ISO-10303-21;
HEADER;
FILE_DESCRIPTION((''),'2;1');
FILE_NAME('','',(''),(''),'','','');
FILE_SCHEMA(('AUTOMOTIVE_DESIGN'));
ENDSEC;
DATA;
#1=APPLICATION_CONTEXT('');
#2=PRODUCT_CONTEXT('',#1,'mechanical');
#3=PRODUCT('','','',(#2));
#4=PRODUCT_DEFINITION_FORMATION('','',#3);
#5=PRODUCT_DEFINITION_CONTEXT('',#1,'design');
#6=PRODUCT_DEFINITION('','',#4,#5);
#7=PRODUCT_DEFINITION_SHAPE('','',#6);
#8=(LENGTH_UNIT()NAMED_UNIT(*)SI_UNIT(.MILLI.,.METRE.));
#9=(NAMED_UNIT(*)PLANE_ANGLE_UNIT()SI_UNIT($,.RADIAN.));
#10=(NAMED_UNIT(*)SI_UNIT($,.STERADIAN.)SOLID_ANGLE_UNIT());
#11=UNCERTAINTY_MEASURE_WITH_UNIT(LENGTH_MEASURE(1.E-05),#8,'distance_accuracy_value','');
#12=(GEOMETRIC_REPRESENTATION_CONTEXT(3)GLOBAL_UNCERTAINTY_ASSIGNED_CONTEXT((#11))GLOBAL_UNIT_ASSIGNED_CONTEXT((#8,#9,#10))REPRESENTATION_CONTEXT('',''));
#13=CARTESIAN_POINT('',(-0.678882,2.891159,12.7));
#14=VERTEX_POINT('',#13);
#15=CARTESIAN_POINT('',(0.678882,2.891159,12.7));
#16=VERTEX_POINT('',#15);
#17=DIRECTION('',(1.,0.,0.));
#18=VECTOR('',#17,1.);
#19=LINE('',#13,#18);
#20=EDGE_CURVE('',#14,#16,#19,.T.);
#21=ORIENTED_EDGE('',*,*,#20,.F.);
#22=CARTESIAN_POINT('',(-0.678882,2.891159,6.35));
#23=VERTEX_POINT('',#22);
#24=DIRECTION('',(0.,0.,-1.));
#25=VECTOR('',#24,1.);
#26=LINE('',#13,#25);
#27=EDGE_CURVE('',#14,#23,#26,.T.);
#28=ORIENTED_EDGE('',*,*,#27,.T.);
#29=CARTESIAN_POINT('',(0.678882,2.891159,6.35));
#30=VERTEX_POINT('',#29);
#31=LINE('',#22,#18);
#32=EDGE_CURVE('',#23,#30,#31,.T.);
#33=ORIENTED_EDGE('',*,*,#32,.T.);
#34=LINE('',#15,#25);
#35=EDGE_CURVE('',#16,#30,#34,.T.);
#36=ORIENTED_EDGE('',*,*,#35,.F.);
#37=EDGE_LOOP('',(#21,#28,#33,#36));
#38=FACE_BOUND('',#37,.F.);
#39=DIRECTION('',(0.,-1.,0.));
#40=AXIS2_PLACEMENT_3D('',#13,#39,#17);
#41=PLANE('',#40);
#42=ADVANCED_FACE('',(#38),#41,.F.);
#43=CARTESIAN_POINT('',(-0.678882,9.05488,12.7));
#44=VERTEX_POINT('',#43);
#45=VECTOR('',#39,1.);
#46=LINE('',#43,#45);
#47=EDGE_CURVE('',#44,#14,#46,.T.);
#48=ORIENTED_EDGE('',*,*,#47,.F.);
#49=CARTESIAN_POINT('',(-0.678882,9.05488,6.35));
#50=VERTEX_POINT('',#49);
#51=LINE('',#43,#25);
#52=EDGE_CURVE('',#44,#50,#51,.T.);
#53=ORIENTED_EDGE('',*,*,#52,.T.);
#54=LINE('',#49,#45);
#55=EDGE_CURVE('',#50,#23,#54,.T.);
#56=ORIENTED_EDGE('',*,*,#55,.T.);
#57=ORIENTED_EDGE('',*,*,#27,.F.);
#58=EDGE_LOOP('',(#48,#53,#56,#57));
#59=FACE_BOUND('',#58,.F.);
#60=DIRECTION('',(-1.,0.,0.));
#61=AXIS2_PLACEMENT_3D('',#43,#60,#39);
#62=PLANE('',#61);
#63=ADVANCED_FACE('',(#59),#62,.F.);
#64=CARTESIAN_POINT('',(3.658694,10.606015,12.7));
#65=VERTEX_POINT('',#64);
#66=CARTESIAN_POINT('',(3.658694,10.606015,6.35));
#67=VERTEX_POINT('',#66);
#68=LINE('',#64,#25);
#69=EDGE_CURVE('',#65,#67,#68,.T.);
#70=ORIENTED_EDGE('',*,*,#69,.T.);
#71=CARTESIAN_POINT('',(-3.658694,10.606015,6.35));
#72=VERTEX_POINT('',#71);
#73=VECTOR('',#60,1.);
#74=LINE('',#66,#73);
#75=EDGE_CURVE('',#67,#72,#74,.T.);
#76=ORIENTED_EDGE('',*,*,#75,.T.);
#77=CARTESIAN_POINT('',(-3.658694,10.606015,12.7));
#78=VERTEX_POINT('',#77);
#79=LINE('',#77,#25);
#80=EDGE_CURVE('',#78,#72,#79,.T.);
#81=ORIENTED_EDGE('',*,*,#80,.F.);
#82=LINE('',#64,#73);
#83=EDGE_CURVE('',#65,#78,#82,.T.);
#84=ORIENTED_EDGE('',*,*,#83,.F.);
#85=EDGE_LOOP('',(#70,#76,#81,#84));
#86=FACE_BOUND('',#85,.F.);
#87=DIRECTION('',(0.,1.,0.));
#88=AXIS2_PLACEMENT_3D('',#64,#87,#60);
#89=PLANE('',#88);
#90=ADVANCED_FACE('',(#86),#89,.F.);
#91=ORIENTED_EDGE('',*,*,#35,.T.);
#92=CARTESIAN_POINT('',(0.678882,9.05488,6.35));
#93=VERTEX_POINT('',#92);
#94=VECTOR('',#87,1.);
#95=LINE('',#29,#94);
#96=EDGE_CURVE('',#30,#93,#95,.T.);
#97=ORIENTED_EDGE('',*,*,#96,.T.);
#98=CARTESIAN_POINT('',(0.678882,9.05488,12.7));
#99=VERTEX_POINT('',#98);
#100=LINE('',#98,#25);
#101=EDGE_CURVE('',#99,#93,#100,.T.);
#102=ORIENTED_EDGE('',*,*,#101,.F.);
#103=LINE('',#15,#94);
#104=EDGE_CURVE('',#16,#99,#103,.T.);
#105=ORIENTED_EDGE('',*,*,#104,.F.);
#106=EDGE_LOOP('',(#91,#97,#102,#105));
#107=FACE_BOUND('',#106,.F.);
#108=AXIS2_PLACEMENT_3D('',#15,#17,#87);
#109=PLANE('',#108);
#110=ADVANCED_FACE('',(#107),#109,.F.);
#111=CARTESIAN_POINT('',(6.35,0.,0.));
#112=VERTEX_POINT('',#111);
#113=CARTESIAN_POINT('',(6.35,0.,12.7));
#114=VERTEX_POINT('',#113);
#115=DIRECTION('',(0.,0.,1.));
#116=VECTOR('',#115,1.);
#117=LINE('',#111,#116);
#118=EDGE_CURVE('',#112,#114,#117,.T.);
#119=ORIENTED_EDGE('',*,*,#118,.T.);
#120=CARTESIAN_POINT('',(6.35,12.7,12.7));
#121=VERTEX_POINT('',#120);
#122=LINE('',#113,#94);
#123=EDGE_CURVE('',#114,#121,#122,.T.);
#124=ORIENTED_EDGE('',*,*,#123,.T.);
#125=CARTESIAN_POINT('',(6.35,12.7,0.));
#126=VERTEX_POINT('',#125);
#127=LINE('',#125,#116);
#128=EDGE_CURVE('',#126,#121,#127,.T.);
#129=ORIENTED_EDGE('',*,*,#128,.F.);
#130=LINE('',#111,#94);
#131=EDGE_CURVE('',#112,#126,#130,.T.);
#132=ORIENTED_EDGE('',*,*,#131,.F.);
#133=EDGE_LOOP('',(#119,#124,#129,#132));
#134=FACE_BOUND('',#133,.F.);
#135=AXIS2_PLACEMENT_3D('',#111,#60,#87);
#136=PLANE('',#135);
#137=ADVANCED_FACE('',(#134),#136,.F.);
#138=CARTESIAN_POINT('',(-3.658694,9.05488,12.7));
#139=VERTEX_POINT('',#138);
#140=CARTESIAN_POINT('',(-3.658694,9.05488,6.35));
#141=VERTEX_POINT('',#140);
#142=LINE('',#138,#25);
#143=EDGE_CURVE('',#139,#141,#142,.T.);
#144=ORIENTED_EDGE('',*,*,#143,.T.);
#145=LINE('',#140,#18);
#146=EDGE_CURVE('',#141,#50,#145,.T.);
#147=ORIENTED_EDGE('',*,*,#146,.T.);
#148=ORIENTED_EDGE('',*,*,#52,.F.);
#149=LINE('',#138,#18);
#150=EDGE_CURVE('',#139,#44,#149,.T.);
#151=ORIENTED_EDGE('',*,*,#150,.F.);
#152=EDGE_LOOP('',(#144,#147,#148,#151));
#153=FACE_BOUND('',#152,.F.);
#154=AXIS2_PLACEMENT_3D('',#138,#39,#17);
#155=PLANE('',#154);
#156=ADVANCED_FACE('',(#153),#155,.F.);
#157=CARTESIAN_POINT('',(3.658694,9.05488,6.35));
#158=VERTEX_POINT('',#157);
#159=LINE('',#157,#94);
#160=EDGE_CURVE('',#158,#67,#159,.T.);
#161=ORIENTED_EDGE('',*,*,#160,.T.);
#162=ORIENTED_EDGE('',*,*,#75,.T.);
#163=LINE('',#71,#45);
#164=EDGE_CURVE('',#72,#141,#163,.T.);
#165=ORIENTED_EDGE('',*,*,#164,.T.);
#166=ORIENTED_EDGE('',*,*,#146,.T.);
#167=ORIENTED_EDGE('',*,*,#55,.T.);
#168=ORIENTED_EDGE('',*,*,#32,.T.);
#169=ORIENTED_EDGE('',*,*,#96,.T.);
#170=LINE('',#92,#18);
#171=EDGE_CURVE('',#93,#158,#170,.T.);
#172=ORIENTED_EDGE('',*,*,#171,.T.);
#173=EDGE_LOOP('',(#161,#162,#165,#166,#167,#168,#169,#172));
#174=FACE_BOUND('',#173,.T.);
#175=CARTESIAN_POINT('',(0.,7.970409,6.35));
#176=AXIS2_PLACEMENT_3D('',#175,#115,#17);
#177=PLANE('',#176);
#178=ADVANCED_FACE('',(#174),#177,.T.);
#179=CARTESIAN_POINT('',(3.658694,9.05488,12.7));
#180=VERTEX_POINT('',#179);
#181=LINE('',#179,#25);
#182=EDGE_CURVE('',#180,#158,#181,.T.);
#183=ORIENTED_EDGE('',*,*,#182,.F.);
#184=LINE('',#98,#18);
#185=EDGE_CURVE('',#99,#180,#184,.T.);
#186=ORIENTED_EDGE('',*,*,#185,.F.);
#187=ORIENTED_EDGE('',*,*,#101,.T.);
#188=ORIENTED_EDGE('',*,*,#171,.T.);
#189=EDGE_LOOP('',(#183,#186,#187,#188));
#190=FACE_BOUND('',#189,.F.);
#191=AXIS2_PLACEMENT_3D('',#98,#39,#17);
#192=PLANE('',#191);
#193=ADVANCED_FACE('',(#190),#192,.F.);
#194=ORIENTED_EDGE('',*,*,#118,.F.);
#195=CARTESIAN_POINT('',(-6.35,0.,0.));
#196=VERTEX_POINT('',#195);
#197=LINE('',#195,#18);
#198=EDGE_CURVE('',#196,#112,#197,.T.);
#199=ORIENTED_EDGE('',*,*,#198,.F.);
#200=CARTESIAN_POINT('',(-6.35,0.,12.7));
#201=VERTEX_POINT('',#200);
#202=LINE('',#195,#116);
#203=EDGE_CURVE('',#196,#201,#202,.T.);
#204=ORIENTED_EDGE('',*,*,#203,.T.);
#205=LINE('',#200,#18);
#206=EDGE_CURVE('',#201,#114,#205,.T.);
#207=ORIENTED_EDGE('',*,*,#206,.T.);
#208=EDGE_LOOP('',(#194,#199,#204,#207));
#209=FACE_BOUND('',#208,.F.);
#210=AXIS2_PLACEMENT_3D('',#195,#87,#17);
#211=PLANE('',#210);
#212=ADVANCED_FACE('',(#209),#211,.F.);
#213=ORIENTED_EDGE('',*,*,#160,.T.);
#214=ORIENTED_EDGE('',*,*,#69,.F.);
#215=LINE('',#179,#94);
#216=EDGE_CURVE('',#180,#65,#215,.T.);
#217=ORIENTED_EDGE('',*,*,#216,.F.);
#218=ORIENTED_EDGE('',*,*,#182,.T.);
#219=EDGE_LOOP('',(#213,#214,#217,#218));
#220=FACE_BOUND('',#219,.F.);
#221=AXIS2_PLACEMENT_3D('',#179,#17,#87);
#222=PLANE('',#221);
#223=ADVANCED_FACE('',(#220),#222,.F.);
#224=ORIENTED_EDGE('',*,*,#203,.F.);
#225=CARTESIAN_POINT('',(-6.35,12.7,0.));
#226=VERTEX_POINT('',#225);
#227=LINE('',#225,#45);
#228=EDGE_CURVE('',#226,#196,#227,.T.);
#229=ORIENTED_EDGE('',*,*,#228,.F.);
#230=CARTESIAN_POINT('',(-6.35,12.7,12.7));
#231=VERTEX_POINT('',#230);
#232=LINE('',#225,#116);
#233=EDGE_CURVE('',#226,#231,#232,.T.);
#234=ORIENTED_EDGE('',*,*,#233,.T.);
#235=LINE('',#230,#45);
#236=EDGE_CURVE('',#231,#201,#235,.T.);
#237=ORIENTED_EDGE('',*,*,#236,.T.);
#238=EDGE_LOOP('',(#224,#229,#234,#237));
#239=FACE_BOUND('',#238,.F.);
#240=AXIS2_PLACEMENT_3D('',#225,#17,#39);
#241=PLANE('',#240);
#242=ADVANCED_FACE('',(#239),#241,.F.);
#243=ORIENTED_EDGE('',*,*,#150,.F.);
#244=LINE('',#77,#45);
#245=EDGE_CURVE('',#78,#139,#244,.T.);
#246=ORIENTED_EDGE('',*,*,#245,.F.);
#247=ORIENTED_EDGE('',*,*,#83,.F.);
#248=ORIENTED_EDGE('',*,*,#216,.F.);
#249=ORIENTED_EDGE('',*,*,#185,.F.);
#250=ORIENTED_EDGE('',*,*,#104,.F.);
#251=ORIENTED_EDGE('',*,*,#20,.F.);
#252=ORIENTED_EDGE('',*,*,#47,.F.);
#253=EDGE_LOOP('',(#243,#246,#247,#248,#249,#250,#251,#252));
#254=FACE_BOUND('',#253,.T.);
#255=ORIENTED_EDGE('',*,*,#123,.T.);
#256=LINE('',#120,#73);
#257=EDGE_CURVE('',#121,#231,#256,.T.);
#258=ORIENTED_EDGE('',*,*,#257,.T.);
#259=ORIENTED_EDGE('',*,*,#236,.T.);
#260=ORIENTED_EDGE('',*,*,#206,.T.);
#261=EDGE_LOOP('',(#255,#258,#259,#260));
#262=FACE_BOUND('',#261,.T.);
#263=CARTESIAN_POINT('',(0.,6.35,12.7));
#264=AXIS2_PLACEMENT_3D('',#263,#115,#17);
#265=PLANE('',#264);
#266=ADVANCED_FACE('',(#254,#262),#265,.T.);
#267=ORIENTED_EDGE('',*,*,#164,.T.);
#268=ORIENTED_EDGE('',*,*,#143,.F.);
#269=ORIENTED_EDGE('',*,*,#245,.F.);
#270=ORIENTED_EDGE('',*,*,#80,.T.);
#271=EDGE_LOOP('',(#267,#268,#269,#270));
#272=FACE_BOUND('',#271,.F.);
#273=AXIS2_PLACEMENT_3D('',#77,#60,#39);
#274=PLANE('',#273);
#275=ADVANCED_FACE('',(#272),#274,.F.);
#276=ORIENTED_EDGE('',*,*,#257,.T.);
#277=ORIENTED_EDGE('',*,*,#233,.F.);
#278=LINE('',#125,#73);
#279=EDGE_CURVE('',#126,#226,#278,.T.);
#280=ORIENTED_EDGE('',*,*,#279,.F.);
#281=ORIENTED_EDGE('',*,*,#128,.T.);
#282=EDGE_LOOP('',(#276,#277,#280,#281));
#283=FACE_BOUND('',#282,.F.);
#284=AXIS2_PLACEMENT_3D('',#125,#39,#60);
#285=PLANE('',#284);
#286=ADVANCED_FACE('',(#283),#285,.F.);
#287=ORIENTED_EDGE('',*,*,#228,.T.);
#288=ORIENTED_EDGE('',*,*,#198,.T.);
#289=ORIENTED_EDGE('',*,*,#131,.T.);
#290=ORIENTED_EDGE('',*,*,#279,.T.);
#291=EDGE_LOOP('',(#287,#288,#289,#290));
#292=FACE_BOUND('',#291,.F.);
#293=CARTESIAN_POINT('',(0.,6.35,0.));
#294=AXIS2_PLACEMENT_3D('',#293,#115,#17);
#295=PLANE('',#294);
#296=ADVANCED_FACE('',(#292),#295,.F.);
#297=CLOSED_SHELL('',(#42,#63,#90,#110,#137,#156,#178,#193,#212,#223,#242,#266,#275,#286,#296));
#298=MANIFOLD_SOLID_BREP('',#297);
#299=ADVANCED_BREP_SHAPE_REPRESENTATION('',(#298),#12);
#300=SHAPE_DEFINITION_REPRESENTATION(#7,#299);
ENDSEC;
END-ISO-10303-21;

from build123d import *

# Parameters (mm, degrees)
F1_DEPTH = 12.7
F3_DEPTH = 6.35


with BuildPart() as f1:
    # F0 (on Top) → F1 (new body)
    with BuildSketch(Plane.XY):
        Polygon((-6.35, 0), (0, 0), (6.35, 0), (6.35, 12.7), (0, 12.7), (-5.160642, 12.7), (-6.35, 12.7), align=None)
    extrude(amount=F1_DEPTH)

    # F2 (on face) → F3 (cut)
    with BuildSketch(Plane.XY.offset(12.7)):
        Polygon((3.658694, 10.606015), (0, 10.606015), (-3.658694, 10.606015), (-3.658694, 9.05488), (-0.678882, 9.05488), (-0.678882, 2.891159), (0, 2.891159), (0.678882, 2.891159), (0.678882, 9.05488), (3.658694, 9.05488), align=None)
    extrude(amount=-F3_DEPTH, mode=Mode.SUBTRACT)


solid = f1.part
